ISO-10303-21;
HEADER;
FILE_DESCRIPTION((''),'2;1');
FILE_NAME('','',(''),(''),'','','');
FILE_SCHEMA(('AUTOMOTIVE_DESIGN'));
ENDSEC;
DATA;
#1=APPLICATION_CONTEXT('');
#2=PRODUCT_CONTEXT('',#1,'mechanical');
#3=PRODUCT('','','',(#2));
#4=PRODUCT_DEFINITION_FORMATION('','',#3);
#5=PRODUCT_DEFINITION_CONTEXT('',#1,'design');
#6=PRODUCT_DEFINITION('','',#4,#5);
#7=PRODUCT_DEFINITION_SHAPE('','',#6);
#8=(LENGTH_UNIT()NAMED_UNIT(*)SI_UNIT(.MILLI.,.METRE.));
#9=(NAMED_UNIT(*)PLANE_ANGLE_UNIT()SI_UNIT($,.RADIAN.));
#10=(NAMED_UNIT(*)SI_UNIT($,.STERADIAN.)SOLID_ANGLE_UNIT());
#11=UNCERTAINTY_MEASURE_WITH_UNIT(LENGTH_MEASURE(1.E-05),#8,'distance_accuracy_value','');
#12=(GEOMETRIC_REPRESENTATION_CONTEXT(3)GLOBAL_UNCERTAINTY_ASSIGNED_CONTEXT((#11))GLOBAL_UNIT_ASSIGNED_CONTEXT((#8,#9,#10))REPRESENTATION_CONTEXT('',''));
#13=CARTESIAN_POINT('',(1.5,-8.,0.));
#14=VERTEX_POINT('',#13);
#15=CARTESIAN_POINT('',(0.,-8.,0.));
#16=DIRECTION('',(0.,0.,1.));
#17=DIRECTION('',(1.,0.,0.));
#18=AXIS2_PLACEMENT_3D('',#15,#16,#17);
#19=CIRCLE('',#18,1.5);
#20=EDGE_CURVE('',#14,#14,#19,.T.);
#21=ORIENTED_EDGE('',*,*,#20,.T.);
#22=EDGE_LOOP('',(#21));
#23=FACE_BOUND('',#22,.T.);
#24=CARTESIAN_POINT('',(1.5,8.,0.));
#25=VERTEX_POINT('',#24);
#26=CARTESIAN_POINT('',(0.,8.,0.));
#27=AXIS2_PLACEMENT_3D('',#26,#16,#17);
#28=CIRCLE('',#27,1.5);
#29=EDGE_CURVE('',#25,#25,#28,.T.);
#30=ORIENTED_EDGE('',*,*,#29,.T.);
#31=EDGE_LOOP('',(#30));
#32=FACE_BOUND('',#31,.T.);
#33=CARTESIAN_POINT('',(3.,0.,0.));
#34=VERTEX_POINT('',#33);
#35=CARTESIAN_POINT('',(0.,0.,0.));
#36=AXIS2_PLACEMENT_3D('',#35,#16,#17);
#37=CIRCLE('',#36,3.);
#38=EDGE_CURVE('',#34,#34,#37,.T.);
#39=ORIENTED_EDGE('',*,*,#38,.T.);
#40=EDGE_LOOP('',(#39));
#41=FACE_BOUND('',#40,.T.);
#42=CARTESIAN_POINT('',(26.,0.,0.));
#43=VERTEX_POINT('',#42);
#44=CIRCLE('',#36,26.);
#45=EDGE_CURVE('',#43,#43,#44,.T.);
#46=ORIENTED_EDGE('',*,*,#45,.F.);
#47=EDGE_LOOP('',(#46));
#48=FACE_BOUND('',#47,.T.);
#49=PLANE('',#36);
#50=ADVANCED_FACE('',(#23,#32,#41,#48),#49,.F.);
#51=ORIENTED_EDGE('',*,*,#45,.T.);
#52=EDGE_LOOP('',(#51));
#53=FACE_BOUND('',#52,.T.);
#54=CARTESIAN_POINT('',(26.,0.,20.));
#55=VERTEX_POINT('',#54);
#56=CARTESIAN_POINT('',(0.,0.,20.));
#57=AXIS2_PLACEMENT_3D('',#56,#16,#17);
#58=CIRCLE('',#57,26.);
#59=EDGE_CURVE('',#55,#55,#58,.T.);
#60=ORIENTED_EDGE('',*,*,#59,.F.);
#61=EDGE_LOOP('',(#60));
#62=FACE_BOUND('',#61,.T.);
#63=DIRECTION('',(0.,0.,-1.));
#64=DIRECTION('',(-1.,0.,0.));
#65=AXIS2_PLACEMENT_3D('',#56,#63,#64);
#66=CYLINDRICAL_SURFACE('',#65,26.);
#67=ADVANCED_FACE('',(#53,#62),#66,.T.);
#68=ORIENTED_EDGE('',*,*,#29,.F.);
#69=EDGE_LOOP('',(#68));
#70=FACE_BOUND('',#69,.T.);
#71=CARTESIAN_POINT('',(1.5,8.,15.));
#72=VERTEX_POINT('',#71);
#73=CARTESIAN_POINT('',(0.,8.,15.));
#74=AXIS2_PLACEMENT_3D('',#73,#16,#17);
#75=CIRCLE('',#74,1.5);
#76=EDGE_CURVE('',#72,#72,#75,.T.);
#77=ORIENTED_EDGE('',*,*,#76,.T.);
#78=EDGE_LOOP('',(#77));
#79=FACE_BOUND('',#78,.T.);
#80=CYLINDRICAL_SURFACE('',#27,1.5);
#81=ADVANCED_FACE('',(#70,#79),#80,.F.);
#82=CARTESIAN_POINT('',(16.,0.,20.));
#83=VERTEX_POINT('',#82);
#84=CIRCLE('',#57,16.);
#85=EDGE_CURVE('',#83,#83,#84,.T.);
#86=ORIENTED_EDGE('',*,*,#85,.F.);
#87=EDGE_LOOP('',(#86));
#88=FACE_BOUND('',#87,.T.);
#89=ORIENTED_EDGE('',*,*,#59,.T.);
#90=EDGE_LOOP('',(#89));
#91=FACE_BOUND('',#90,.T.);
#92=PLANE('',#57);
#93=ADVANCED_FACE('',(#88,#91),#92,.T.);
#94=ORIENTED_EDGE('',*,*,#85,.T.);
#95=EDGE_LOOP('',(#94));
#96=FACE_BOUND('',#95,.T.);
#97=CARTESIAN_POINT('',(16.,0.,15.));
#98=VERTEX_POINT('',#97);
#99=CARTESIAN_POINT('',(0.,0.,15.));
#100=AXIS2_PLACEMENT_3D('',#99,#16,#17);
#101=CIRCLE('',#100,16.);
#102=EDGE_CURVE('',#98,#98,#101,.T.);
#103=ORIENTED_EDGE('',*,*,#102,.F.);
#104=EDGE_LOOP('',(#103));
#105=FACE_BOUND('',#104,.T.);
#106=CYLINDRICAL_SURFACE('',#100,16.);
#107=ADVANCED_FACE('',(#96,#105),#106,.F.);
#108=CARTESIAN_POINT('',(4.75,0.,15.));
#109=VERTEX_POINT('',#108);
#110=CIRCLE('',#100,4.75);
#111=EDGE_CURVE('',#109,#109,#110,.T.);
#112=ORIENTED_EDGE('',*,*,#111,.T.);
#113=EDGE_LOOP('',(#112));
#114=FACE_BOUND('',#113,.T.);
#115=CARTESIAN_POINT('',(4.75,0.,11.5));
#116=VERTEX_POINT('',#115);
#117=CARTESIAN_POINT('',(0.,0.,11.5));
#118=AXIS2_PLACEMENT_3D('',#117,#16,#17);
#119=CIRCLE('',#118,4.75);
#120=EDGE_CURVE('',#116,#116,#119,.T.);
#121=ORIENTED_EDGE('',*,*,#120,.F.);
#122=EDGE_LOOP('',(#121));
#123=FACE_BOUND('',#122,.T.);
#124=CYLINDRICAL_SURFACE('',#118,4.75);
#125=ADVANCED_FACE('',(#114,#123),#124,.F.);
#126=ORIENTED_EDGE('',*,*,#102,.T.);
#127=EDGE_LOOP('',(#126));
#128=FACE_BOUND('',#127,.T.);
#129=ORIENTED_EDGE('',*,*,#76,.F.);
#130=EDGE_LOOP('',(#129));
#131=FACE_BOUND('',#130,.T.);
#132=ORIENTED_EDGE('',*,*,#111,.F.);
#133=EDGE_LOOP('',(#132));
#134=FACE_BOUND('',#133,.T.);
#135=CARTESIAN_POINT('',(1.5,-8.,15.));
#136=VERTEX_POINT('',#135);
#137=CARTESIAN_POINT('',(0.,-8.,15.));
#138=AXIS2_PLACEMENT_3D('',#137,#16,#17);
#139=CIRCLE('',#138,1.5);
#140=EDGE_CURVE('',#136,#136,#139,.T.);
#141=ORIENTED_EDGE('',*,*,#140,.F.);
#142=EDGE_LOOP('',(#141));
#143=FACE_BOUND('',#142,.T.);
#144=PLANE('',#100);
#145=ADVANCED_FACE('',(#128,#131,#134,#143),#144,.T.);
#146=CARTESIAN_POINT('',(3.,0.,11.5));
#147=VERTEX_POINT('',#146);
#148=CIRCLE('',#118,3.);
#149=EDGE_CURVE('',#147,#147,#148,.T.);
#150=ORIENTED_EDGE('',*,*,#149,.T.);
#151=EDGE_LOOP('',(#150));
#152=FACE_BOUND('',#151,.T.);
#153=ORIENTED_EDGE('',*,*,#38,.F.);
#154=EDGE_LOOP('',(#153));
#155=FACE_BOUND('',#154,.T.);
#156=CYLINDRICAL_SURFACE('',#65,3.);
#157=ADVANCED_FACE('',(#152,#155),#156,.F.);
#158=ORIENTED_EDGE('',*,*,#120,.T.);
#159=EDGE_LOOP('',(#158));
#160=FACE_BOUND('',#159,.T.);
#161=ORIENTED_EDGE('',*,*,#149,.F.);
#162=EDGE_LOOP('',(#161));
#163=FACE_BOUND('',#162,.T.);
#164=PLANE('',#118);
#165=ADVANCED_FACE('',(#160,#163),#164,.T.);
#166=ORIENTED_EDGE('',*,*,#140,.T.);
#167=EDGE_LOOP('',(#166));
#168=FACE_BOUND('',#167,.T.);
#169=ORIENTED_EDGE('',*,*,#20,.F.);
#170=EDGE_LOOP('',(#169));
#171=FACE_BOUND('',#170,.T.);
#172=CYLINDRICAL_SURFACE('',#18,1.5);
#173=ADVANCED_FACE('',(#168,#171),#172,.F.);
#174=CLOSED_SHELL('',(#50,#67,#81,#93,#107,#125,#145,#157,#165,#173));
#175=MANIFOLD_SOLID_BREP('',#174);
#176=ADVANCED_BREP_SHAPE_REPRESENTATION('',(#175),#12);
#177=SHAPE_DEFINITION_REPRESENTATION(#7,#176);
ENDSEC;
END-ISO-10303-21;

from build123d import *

# Parameters (mm, degrees)
ESQUISSE1_R             = 26
ESQUISSE1_R_2           = 3
BOSS_EXTRU_1_DEPTH      = 20
ESQUISSE2_R             = 16
ENL_V_MAT_EXTRU_1_DEPTH = 5
ESQUISSE3_R             = 4.75
ENL_V_MAT_EXTRU_2_DEPTH = 3.5
ESQUISSE4_R             = 1.5
ENL_V_MAT_EXTRU_3_DEPTH = 16


with BuildPart() as part:
    # Esquisse1 → Boss.-Extru.1 (new body)
    with BuildSketch(Plane.XY):
        Circle(ESQUISSE1_R)
        Circle(ESQUISSE1_R_2, mode=Mode.SUBTRACT)
    extrude(amount=BOSS_EXTRU_1_DEPTH)

    # Esquisse2 → Enlèv. mat.-Extru.1 (cut)
    with BuildSketch(Plane.XY.offset(20)):
        Circle(ESQUISSE2_R)
    extrude(amount=-ENL_V_MAT_EXTRU_1_DEPTH, mode=Mode.SUBTRACT)

    # Esquisse3 → Enlèv. mat.-Extru.2 (cut)
    with BuildSketch(Plane.XY.offset(15)):
        Circle(ESQUISSE3_R)
    extrude(amount=-ENL_V_MAT_EXTRU_2_DEPTH, mode=Mode.SUBTRACT)

    # Esquisse4 → Enlèv. mat.-Extru.3 (cut, through all)
    with BuildSketch(Plane.XY.offset(15)):
        with Locations((0, 8)):
            Circle(ESQUISSE4_R)
        with Locations((0, -8)):
            Circle(ESQUISSE4_R)
    extrude(amount=-ENL_V_MAT_EXTRU_3_DEPTH, mode=Mode.SUBTRACT)


solid = part.part
